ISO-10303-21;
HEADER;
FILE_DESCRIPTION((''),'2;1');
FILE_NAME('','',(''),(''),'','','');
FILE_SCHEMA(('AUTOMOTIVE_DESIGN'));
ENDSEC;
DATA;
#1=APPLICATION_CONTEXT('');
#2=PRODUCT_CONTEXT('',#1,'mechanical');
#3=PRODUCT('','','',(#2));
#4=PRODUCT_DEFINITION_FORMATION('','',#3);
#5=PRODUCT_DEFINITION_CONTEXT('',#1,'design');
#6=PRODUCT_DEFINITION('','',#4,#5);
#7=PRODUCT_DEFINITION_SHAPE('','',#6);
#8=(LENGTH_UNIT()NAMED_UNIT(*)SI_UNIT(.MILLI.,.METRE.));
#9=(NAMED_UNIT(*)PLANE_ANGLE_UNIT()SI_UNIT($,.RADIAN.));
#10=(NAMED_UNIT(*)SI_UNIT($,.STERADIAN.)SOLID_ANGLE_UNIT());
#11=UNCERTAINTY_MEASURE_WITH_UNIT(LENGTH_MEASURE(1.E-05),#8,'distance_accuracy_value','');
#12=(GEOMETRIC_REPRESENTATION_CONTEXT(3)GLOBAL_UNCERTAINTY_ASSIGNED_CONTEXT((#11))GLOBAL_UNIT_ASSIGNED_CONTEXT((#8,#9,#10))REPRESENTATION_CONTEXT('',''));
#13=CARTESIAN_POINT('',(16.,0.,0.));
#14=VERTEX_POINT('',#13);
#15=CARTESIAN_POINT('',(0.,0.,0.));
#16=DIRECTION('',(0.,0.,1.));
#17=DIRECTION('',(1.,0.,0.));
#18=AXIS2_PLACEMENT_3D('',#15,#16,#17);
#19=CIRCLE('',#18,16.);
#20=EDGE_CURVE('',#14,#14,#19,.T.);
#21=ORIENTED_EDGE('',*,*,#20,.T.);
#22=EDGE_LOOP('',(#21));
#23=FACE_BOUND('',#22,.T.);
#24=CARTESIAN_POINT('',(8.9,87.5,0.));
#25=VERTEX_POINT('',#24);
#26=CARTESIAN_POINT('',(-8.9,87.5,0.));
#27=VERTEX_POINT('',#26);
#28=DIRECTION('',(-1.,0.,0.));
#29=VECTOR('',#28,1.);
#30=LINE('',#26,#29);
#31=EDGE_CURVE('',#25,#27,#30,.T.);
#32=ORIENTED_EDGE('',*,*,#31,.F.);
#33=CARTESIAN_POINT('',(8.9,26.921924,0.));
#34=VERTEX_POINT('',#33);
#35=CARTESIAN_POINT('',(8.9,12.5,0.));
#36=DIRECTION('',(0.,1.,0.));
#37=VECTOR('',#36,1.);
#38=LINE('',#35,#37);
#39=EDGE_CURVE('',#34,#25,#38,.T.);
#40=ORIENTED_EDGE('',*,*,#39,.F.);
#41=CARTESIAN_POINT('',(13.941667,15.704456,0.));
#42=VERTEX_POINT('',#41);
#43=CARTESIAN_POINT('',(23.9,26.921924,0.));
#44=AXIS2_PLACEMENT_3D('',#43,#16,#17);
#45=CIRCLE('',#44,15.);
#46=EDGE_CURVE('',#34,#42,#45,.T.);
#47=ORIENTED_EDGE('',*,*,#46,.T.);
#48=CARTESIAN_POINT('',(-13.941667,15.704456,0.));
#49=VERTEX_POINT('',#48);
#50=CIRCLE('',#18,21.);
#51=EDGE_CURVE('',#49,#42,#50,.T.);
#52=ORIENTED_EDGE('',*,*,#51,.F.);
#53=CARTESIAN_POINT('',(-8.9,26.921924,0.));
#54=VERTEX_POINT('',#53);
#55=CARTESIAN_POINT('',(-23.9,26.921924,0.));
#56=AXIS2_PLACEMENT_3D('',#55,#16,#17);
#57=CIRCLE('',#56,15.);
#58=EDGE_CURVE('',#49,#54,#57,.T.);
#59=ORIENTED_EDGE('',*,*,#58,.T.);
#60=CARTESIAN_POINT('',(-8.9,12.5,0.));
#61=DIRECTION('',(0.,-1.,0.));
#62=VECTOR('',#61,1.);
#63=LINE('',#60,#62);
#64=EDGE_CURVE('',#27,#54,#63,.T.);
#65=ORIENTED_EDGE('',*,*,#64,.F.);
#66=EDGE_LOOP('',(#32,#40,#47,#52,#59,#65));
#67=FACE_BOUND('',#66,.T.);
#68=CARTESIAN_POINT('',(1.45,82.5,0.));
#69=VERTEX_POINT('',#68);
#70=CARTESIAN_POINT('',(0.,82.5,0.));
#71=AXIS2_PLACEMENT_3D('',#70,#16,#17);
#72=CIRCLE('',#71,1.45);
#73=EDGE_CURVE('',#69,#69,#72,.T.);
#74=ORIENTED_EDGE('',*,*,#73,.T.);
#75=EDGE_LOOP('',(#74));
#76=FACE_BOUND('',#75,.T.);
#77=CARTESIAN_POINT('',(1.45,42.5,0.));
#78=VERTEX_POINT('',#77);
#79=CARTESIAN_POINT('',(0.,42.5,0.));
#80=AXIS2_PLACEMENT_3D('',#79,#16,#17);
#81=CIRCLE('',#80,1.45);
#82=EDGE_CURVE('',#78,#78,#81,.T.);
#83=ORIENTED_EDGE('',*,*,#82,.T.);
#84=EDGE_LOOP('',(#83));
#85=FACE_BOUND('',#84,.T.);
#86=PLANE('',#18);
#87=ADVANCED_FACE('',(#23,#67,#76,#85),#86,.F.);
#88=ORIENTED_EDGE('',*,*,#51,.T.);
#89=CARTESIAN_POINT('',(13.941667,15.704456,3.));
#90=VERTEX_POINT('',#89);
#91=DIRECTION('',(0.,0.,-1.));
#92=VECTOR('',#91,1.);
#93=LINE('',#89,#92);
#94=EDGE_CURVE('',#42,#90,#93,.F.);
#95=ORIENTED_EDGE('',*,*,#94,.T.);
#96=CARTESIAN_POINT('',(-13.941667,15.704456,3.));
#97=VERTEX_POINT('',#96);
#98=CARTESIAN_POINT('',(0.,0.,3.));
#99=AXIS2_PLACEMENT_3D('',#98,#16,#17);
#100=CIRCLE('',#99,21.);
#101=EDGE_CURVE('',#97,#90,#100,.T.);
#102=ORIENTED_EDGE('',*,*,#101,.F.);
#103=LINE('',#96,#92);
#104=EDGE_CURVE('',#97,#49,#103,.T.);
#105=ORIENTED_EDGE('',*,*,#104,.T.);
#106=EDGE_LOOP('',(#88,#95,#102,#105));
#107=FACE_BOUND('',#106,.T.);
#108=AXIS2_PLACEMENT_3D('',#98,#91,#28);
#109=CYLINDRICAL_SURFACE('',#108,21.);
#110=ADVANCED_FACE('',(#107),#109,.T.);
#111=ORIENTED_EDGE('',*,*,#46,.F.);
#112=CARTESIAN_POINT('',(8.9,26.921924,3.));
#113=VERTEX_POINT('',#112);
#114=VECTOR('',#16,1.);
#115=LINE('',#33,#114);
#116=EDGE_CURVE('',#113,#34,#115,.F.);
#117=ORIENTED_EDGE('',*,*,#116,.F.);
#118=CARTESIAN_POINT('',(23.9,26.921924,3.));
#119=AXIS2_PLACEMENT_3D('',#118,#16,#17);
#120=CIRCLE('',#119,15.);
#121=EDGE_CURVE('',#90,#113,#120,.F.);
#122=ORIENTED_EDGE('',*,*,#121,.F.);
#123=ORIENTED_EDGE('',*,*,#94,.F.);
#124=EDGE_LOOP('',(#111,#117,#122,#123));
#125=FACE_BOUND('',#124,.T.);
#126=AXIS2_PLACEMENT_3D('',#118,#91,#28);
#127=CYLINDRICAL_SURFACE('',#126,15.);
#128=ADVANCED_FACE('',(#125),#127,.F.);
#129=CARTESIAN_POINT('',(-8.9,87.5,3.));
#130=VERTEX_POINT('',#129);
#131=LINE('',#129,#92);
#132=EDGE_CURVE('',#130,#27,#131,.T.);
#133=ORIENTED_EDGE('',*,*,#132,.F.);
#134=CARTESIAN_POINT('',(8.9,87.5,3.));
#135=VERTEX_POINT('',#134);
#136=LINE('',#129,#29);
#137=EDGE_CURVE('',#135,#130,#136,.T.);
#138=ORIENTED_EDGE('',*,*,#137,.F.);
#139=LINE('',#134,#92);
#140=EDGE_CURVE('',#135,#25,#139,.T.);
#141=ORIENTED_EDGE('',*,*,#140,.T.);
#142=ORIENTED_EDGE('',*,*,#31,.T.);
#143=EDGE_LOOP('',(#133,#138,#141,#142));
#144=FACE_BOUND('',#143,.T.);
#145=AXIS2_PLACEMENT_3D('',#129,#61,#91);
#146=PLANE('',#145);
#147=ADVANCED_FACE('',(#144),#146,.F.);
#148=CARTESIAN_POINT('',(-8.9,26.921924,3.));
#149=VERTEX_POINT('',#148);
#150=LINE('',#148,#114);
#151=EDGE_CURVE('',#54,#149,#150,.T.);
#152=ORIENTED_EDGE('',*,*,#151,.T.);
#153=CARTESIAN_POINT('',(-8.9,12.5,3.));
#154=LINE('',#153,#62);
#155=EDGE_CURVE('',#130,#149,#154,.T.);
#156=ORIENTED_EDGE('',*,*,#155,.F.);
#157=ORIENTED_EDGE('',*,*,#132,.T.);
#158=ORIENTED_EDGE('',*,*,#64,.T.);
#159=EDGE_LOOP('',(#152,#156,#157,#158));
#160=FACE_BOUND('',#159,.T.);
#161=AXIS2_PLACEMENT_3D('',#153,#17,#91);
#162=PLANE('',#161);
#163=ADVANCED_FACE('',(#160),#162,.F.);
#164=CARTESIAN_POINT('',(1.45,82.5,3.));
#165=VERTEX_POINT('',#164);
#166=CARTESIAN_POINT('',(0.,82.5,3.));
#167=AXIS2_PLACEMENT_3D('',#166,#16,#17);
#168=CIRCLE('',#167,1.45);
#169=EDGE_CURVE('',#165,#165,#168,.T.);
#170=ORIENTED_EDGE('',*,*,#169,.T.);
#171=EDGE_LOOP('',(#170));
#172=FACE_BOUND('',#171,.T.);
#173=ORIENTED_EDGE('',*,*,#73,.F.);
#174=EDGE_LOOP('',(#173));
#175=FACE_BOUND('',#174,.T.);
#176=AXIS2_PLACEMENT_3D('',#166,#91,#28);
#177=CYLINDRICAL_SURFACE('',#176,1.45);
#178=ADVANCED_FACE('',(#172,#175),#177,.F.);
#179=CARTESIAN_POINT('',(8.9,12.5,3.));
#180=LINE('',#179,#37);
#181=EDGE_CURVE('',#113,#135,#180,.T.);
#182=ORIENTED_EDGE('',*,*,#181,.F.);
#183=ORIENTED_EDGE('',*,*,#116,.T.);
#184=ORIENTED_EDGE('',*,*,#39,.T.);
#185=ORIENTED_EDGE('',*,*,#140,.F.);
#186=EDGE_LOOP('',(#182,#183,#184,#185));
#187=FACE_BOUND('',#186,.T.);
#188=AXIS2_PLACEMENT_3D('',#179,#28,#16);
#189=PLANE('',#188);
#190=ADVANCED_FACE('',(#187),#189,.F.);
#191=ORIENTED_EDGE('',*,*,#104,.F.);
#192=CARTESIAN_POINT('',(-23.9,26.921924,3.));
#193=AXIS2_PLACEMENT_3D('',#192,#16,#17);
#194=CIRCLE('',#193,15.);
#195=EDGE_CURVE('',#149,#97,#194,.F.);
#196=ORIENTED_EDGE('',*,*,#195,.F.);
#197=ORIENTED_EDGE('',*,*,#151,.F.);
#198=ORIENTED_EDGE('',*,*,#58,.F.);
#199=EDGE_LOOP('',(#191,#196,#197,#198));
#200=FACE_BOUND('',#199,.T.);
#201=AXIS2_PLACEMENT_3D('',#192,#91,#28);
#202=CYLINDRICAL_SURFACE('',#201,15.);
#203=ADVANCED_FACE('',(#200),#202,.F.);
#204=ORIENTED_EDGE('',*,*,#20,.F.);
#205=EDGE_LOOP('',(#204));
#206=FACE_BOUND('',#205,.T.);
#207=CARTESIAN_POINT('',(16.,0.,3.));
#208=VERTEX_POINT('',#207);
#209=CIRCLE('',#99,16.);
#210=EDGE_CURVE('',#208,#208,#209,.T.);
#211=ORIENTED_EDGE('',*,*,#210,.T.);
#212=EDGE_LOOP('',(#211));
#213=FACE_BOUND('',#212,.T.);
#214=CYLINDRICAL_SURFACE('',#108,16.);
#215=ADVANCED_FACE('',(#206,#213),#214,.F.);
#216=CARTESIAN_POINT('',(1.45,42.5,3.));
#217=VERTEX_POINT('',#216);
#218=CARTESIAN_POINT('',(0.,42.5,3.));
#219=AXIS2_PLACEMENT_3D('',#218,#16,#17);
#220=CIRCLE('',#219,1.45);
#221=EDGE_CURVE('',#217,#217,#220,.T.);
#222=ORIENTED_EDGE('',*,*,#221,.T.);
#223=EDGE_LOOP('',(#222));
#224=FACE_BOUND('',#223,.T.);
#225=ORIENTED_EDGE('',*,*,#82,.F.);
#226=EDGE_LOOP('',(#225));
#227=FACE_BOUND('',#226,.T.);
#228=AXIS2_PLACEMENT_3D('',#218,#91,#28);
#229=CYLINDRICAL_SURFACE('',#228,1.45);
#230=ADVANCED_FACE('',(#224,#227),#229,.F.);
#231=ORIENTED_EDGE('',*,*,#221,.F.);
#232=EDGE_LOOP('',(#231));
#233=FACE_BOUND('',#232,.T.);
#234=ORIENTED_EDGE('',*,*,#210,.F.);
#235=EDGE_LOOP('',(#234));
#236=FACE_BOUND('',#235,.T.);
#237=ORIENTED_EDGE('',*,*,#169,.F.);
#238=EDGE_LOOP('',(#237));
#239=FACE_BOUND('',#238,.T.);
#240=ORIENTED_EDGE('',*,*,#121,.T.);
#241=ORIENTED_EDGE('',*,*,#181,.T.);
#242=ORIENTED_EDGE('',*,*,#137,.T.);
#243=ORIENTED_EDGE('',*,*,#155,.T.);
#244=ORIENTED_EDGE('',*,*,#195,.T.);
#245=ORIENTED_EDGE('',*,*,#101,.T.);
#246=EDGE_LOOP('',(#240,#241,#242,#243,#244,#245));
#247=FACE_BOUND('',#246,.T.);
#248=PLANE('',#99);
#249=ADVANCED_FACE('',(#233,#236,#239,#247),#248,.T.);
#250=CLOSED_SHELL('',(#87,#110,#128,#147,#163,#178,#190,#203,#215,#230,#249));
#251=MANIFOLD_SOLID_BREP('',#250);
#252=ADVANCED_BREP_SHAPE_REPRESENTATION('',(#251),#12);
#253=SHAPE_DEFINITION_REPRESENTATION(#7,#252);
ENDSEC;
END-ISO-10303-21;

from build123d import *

# Parameters (mm, degrees)
SKETCH_1_R          = 21
SKETCH_1_R_2        = 16
EXTRUDE_1_DEPTH     = 3
SKETCH_2_W          = 17.8
SKETCH_2_H          = 75
SKETCH_2_R          = 1.45
EXTRUDE_2_DEPTH     = 3
SKETCH_3_R          = 16
CUT_EXTRUDE_1_DEPTH = 91.034715527
FILLET_1_R          = 15


with BuildPart() as part:
    # 草图1 → 凸台-拉伸1 (new body)
    with BuildSketch(Plane.XY):
        Circle(SKETCH_1_R)
        Circle(SKETCH_1_R_2, mode=Mode.SUBTRACT)
    extrude(amount=EXTRUDE_1_DEPTH)

    # 草图2 → 凸台-拉伸2 (add)
    with BuildSketch(Plane.XY):
        with Locations((0, 50)):
            Rectangle(SKETCH_2_W, SKETCH_2_H)
        with Locations((0, 42.5)):
            Circle(SKETCH_2_R, mode=Mode.SUBTRACT)
        with Locations((0, 82.5)):
            Circle(SKETCH_2_R, mode=Mode.SUBTRACT)
    extrude(amount=EXTRUDE_2_DEPTH)

    # 草图3 → 切除-拉伸1 (cut, through all)
    with BuildSketch(Plane.XY.offset(3)):
        Circle(SKETCH_3_R)
    extrude(amount=-CUT_EXTRUDE_1_DEPTH, mode=Mode.SUBTRACT)

    # 圆角1
    fillet_1_edges = [part.edges().sort_by_distance(p)[0] for p in [
        (8.9, 19.020778112, 1.5),
        (-8.9, 19.020778112, 1.5),
    ]]
    fillet(fillet_1_edges, radius=FILLET_1_R)


solid = part.part
